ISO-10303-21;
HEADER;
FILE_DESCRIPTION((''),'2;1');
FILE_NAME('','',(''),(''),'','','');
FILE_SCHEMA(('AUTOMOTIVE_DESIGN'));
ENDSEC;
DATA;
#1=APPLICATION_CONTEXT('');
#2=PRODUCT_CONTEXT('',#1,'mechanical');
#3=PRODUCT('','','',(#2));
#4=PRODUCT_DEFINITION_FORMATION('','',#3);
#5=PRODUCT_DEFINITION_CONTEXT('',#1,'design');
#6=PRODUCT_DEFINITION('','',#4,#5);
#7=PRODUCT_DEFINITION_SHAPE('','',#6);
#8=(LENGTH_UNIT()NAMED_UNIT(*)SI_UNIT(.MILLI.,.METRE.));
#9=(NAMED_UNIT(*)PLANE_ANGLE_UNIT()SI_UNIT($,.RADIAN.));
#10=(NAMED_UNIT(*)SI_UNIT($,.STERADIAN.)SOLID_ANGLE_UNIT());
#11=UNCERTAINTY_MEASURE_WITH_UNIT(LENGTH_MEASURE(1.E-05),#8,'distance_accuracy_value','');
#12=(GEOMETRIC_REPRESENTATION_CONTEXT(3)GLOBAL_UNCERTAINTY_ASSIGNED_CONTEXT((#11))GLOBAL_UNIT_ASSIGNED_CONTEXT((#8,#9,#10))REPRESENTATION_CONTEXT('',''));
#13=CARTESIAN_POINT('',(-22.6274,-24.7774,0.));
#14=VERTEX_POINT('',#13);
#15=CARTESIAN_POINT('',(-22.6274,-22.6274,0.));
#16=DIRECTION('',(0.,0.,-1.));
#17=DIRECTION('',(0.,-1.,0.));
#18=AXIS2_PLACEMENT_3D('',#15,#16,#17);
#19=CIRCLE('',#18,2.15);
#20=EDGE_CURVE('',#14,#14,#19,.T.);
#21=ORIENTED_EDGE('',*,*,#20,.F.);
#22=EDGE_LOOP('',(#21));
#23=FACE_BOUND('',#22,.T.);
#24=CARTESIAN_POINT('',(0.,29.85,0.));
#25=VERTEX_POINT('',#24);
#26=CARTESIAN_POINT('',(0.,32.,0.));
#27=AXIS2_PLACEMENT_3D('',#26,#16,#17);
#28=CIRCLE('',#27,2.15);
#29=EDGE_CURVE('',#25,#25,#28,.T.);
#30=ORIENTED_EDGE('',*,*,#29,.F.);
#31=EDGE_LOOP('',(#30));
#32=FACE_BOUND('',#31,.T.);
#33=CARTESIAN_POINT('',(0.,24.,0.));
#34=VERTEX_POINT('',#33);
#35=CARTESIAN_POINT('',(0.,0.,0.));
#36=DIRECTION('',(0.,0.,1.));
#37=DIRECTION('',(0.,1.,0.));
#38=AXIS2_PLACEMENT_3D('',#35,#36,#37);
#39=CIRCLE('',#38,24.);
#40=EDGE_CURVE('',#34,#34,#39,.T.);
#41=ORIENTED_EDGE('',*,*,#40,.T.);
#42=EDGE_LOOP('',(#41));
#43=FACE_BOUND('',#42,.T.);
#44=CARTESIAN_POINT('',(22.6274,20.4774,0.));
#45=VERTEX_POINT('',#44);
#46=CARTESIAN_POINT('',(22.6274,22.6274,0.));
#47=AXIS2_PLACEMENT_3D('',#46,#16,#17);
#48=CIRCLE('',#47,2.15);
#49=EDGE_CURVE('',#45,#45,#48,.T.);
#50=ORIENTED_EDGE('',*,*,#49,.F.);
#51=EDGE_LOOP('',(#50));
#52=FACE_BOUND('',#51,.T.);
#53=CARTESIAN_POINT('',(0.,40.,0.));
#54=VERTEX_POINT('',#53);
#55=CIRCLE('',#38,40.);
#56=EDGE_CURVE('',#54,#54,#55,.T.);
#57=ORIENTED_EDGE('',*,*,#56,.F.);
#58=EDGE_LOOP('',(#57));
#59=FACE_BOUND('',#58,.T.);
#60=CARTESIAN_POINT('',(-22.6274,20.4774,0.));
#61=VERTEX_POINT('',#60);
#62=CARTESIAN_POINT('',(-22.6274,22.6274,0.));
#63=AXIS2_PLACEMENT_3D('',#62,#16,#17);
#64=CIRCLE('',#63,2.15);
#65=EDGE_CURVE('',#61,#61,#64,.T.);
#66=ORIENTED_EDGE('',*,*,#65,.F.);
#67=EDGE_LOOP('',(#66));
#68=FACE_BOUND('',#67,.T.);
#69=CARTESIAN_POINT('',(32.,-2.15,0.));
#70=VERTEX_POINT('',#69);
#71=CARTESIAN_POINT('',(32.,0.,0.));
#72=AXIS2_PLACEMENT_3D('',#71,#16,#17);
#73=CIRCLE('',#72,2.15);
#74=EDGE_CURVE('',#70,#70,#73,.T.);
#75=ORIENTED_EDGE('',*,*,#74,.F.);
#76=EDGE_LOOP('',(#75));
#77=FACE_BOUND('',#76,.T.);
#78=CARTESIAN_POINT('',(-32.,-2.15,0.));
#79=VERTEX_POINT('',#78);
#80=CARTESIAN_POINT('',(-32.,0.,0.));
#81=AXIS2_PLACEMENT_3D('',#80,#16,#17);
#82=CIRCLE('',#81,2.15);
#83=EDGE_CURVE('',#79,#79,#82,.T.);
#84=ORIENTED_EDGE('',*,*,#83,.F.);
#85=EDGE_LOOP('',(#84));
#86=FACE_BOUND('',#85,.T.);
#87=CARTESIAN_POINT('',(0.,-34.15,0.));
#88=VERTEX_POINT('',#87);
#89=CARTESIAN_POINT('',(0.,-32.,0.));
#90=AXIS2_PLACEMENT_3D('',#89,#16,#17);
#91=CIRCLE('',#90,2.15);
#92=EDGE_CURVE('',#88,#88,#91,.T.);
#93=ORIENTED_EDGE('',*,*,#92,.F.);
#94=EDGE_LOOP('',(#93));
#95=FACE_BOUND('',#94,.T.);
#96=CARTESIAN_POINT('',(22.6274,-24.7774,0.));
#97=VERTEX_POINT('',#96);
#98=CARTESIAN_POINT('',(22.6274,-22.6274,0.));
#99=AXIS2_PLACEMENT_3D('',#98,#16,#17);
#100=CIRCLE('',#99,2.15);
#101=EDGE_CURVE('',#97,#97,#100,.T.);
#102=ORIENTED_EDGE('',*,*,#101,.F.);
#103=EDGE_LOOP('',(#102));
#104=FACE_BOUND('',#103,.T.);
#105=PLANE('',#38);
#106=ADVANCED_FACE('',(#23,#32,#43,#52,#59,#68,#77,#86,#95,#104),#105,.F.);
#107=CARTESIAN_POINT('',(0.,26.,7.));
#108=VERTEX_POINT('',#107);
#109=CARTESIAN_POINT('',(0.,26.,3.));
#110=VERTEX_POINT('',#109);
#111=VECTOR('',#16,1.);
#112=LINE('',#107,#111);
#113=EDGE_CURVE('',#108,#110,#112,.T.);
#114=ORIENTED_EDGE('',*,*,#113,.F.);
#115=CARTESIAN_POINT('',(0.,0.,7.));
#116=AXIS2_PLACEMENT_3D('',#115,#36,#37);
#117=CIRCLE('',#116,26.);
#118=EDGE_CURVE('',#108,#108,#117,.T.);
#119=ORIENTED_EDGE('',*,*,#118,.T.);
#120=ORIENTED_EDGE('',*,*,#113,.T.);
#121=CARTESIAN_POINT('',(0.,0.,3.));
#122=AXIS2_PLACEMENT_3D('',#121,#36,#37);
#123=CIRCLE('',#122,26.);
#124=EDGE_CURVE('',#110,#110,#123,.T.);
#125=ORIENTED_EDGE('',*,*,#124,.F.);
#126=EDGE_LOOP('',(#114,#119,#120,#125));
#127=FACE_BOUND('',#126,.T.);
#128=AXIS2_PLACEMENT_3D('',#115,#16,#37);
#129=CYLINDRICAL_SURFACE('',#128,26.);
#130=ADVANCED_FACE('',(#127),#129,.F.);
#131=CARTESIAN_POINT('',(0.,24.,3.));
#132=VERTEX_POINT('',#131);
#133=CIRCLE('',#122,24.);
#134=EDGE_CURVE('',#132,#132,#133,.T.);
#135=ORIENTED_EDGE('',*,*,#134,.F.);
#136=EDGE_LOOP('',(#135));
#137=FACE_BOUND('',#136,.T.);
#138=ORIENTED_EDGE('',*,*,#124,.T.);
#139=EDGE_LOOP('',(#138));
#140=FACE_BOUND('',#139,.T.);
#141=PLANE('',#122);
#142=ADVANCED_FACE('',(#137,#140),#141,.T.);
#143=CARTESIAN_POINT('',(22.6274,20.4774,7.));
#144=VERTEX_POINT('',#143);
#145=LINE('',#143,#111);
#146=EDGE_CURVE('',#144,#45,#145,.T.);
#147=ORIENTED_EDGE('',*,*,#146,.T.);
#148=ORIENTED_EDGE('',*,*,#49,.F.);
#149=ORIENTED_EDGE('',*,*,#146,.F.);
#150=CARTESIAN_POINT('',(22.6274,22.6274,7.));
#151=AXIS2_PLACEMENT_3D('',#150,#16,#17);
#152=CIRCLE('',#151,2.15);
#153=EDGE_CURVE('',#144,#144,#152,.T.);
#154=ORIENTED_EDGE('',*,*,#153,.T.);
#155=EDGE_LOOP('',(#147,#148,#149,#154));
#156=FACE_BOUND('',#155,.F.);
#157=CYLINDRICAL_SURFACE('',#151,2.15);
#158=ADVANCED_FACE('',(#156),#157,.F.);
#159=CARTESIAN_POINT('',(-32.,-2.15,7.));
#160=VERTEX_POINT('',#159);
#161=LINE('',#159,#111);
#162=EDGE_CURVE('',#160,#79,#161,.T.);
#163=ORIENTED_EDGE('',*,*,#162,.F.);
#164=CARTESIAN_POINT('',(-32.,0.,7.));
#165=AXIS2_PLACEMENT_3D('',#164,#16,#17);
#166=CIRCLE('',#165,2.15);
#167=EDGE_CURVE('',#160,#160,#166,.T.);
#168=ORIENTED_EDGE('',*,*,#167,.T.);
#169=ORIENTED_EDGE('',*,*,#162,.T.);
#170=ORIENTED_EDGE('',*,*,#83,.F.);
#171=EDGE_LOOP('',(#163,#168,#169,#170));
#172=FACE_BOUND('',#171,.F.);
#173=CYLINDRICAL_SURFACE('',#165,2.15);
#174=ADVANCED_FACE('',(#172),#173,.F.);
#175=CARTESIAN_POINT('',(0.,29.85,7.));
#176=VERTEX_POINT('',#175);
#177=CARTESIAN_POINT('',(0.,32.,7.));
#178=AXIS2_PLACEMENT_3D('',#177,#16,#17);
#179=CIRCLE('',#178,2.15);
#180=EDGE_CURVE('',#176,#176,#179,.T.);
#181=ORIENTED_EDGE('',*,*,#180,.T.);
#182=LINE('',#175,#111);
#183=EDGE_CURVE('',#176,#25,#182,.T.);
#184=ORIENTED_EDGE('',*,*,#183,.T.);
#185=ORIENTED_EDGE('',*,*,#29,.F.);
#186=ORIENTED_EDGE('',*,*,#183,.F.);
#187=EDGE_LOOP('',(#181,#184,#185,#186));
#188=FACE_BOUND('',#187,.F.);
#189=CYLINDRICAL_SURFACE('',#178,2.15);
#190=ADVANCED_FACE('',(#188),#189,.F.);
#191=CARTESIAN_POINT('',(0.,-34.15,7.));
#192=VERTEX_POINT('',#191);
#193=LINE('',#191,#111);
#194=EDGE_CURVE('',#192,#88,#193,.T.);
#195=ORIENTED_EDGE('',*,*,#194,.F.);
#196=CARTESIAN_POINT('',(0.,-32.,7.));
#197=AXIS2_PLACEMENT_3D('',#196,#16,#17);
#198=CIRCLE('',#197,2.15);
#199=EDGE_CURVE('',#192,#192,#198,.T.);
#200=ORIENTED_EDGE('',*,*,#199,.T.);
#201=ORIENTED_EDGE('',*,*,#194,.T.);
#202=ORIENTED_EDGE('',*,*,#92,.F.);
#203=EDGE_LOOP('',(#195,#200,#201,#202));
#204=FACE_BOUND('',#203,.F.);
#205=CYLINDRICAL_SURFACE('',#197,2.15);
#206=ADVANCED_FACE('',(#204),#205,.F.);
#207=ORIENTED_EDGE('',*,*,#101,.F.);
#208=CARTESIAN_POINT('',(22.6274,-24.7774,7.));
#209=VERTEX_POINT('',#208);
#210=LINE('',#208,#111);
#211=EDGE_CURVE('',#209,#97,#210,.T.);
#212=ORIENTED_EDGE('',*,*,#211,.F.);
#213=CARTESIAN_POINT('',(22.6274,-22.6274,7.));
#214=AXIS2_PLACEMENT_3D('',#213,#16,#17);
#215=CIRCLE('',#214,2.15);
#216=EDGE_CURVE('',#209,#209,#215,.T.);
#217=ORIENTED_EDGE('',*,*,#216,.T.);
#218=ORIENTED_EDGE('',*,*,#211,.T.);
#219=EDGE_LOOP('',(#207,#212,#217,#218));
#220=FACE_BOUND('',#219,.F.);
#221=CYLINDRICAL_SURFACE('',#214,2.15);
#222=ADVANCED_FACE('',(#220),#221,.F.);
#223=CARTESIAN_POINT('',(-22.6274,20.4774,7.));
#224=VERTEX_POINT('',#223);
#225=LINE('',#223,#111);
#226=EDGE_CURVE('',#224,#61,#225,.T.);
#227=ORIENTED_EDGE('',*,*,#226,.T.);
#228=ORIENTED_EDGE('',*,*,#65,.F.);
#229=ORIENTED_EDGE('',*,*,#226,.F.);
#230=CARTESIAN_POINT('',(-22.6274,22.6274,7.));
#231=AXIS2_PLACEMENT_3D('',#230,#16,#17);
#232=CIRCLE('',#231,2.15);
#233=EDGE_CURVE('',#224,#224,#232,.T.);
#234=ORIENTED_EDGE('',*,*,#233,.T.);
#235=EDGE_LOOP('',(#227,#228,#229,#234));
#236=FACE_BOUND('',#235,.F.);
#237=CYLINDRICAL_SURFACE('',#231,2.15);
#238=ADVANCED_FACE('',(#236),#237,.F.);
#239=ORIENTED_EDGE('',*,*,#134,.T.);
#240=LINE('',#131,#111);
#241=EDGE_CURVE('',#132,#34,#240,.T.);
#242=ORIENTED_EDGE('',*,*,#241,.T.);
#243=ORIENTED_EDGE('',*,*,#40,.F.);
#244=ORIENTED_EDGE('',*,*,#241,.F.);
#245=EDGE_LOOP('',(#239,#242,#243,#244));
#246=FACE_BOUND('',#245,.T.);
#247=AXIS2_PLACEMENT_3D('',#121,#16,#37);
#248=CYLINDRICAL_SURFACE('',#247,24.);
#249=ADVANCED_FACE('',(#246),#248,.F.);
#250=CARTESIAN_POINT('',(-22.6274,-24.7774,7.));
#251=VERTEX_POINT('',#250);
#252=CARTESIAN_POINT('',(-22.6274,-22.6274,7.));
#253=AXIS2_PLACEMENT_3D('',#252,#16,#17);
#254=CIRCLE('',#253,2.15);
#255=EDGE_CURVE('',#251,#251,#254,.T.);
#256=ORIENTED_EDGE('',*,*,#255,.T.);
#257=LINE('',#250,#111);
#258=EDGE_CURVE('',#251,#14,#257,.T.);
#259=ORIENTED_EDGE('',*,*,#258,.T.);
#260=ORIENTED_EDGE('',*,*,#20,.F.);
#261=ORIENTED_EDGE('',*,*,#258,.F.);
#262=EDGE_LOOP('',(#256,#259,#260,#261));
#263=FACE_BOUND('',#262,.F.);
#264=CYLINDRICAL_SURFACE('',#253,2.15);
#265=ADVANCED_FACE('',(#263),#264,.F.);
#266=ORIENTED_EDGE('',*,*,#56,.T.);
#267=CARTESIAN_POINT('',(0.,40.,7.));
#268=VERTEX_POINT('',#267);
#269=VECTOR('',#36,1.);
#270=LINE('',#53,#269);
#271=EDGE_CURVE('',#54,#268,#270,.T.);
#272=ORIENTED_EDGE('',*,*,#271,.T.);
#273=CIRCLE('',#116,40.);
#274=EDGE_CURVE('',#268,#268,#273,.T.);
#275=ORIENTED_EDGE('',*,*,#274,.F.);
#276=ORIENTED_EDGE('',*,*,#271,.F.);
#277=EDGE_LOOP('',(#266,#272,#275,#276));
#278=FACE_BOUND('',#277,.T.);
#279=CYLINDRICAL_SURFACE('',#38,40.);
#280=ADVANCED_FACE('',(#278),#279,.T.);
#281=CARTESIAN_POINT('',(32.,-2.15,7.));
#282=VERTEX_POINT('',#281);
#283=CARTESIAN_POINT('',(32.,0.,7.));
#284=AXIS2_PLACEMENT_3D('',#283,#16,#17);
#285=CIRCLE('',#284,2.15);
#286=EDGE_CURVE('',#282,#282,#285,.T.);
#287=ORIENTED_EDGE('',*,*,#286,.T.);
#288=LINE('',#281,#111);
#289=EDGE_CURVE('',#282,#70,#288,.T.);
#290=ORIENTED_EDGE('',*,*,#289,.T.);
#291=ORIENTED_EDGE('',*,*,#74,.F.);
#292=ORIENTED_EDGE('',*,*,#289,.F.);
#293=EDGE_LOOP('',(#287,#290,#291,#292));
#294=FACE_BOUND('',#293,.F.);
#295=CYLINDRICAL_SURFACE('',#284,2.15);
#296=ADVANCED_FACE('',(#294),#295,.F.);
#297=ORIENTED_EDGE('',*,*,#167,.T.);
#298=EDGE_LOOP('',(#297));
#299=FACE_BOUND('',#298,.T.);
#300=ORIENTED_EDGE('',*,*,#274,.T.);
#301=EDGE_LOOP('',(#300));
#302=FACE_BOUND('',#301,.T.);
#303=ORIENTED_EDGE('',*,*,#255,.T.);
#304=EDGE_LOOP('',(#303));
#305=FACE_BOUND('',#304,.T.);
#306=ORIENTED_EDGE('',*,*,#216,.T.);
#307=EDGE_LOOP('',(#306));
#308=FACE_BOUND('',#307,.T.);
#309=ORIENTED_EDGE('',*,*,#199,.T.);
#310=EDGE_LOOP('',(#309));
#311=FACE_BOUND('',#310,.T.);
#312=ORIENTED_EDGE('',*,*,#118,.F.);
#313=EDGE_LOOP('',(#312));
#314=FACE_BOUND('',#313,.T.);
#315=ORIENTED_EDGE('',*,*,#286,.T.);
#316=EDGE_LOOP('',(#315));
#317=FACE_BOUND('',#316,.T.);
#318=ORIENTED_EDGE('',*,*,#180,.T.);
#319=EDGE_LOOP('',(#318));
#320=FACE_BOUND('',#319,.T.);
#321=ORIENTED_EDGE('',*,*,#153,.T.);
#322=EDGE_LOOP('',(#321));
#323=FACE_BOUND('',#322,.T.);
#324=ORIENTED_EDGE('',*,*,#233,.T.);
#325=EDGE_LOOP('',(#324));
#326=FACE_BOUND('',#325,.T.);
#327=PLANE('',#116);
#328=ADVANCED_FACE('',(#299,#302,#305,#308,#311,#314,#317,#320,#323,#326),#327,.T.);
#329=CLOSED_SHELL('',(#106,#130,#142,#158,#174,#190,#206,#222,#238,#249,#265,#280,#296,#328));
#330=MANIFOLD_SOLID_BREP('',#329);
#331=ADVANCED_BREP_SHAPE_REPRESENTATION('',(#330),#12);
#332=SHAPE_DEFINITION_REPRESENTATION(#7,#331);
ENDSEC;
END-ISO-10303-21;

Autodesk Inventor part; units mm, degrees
ref_plane "YZ Plane" through (0, 0, 0) normal (1, 0, 0) x (0, 1, 0)
ref_plane "XZ Plane" through (0, 0, 0) normal (0, 1, 0) x (-1, 0, 0)
ref_plane "XY Plane" through (0, 0, 0) normal (0, 0, 1) x (1, 0, 0)
sketch "スケッチ1" plane through (0, 0, 0) normal (1, 0, 0) x (0, 1, 0)
  line L0 (24, 0) -> (40, 0)
  line L1 (40, 0) -> (40, 7)
  line L2 (40, 7) -> (26, 7)
  line L3 (26, 7) -> (26, 3)
  line L4 (26, 3) -> (24, 3)
  line L5 (24, 3) -> (24, 0)
  line L6 (0, -1.4) -> (0, 8.4) projected
  point P0 (0, 0)
  dimension "d0" = 24
  dimension "d1" = 40
  dimension "d2" = 26
  dimension "d3" = 4
  dimension "d5" = 3
revolve "回転1" add sketch "スケッチ1" angle 360 about axis through (0, 0, -10) along (0, 0, 1)
sketch "スケッチ2" plane through (0, 0, 7) normal (0, 0, 1) x (1, 0, 0)
  circle A0 centre (0, 0) radius 32
  point P0 (0, 32)
  point P1 (-22.6274, 22.6274)
  point P2 (-32, 0)
  point P3 (-22.6274, -22.6274)
  point P4 (0, -32)
  point P5 (22.6274, -22.6274)
  point P6 (32, 0)
  point P7 (22.6274, 22.6274)
  dimension "d7" = 64
  dimension "d10" = 360
hole "穴1" at (0, 32, 7) at (-22.6274, 22.6274, 7) at (-32, 0, 7) at (-22.6274, -22.6274, 7) at (0, -32, 7) at (22.6274, -22.6274, 7) at (32, 0, 7) at (22.6274, 22.6274, 7) direction (0, 0, -1) diameter 4.3 end through all clearance for "Socket Head Cap Screw" size "M4" standard "Ansi Metric M Profile"
properties part number "base8" material "ABS プラスチック"
